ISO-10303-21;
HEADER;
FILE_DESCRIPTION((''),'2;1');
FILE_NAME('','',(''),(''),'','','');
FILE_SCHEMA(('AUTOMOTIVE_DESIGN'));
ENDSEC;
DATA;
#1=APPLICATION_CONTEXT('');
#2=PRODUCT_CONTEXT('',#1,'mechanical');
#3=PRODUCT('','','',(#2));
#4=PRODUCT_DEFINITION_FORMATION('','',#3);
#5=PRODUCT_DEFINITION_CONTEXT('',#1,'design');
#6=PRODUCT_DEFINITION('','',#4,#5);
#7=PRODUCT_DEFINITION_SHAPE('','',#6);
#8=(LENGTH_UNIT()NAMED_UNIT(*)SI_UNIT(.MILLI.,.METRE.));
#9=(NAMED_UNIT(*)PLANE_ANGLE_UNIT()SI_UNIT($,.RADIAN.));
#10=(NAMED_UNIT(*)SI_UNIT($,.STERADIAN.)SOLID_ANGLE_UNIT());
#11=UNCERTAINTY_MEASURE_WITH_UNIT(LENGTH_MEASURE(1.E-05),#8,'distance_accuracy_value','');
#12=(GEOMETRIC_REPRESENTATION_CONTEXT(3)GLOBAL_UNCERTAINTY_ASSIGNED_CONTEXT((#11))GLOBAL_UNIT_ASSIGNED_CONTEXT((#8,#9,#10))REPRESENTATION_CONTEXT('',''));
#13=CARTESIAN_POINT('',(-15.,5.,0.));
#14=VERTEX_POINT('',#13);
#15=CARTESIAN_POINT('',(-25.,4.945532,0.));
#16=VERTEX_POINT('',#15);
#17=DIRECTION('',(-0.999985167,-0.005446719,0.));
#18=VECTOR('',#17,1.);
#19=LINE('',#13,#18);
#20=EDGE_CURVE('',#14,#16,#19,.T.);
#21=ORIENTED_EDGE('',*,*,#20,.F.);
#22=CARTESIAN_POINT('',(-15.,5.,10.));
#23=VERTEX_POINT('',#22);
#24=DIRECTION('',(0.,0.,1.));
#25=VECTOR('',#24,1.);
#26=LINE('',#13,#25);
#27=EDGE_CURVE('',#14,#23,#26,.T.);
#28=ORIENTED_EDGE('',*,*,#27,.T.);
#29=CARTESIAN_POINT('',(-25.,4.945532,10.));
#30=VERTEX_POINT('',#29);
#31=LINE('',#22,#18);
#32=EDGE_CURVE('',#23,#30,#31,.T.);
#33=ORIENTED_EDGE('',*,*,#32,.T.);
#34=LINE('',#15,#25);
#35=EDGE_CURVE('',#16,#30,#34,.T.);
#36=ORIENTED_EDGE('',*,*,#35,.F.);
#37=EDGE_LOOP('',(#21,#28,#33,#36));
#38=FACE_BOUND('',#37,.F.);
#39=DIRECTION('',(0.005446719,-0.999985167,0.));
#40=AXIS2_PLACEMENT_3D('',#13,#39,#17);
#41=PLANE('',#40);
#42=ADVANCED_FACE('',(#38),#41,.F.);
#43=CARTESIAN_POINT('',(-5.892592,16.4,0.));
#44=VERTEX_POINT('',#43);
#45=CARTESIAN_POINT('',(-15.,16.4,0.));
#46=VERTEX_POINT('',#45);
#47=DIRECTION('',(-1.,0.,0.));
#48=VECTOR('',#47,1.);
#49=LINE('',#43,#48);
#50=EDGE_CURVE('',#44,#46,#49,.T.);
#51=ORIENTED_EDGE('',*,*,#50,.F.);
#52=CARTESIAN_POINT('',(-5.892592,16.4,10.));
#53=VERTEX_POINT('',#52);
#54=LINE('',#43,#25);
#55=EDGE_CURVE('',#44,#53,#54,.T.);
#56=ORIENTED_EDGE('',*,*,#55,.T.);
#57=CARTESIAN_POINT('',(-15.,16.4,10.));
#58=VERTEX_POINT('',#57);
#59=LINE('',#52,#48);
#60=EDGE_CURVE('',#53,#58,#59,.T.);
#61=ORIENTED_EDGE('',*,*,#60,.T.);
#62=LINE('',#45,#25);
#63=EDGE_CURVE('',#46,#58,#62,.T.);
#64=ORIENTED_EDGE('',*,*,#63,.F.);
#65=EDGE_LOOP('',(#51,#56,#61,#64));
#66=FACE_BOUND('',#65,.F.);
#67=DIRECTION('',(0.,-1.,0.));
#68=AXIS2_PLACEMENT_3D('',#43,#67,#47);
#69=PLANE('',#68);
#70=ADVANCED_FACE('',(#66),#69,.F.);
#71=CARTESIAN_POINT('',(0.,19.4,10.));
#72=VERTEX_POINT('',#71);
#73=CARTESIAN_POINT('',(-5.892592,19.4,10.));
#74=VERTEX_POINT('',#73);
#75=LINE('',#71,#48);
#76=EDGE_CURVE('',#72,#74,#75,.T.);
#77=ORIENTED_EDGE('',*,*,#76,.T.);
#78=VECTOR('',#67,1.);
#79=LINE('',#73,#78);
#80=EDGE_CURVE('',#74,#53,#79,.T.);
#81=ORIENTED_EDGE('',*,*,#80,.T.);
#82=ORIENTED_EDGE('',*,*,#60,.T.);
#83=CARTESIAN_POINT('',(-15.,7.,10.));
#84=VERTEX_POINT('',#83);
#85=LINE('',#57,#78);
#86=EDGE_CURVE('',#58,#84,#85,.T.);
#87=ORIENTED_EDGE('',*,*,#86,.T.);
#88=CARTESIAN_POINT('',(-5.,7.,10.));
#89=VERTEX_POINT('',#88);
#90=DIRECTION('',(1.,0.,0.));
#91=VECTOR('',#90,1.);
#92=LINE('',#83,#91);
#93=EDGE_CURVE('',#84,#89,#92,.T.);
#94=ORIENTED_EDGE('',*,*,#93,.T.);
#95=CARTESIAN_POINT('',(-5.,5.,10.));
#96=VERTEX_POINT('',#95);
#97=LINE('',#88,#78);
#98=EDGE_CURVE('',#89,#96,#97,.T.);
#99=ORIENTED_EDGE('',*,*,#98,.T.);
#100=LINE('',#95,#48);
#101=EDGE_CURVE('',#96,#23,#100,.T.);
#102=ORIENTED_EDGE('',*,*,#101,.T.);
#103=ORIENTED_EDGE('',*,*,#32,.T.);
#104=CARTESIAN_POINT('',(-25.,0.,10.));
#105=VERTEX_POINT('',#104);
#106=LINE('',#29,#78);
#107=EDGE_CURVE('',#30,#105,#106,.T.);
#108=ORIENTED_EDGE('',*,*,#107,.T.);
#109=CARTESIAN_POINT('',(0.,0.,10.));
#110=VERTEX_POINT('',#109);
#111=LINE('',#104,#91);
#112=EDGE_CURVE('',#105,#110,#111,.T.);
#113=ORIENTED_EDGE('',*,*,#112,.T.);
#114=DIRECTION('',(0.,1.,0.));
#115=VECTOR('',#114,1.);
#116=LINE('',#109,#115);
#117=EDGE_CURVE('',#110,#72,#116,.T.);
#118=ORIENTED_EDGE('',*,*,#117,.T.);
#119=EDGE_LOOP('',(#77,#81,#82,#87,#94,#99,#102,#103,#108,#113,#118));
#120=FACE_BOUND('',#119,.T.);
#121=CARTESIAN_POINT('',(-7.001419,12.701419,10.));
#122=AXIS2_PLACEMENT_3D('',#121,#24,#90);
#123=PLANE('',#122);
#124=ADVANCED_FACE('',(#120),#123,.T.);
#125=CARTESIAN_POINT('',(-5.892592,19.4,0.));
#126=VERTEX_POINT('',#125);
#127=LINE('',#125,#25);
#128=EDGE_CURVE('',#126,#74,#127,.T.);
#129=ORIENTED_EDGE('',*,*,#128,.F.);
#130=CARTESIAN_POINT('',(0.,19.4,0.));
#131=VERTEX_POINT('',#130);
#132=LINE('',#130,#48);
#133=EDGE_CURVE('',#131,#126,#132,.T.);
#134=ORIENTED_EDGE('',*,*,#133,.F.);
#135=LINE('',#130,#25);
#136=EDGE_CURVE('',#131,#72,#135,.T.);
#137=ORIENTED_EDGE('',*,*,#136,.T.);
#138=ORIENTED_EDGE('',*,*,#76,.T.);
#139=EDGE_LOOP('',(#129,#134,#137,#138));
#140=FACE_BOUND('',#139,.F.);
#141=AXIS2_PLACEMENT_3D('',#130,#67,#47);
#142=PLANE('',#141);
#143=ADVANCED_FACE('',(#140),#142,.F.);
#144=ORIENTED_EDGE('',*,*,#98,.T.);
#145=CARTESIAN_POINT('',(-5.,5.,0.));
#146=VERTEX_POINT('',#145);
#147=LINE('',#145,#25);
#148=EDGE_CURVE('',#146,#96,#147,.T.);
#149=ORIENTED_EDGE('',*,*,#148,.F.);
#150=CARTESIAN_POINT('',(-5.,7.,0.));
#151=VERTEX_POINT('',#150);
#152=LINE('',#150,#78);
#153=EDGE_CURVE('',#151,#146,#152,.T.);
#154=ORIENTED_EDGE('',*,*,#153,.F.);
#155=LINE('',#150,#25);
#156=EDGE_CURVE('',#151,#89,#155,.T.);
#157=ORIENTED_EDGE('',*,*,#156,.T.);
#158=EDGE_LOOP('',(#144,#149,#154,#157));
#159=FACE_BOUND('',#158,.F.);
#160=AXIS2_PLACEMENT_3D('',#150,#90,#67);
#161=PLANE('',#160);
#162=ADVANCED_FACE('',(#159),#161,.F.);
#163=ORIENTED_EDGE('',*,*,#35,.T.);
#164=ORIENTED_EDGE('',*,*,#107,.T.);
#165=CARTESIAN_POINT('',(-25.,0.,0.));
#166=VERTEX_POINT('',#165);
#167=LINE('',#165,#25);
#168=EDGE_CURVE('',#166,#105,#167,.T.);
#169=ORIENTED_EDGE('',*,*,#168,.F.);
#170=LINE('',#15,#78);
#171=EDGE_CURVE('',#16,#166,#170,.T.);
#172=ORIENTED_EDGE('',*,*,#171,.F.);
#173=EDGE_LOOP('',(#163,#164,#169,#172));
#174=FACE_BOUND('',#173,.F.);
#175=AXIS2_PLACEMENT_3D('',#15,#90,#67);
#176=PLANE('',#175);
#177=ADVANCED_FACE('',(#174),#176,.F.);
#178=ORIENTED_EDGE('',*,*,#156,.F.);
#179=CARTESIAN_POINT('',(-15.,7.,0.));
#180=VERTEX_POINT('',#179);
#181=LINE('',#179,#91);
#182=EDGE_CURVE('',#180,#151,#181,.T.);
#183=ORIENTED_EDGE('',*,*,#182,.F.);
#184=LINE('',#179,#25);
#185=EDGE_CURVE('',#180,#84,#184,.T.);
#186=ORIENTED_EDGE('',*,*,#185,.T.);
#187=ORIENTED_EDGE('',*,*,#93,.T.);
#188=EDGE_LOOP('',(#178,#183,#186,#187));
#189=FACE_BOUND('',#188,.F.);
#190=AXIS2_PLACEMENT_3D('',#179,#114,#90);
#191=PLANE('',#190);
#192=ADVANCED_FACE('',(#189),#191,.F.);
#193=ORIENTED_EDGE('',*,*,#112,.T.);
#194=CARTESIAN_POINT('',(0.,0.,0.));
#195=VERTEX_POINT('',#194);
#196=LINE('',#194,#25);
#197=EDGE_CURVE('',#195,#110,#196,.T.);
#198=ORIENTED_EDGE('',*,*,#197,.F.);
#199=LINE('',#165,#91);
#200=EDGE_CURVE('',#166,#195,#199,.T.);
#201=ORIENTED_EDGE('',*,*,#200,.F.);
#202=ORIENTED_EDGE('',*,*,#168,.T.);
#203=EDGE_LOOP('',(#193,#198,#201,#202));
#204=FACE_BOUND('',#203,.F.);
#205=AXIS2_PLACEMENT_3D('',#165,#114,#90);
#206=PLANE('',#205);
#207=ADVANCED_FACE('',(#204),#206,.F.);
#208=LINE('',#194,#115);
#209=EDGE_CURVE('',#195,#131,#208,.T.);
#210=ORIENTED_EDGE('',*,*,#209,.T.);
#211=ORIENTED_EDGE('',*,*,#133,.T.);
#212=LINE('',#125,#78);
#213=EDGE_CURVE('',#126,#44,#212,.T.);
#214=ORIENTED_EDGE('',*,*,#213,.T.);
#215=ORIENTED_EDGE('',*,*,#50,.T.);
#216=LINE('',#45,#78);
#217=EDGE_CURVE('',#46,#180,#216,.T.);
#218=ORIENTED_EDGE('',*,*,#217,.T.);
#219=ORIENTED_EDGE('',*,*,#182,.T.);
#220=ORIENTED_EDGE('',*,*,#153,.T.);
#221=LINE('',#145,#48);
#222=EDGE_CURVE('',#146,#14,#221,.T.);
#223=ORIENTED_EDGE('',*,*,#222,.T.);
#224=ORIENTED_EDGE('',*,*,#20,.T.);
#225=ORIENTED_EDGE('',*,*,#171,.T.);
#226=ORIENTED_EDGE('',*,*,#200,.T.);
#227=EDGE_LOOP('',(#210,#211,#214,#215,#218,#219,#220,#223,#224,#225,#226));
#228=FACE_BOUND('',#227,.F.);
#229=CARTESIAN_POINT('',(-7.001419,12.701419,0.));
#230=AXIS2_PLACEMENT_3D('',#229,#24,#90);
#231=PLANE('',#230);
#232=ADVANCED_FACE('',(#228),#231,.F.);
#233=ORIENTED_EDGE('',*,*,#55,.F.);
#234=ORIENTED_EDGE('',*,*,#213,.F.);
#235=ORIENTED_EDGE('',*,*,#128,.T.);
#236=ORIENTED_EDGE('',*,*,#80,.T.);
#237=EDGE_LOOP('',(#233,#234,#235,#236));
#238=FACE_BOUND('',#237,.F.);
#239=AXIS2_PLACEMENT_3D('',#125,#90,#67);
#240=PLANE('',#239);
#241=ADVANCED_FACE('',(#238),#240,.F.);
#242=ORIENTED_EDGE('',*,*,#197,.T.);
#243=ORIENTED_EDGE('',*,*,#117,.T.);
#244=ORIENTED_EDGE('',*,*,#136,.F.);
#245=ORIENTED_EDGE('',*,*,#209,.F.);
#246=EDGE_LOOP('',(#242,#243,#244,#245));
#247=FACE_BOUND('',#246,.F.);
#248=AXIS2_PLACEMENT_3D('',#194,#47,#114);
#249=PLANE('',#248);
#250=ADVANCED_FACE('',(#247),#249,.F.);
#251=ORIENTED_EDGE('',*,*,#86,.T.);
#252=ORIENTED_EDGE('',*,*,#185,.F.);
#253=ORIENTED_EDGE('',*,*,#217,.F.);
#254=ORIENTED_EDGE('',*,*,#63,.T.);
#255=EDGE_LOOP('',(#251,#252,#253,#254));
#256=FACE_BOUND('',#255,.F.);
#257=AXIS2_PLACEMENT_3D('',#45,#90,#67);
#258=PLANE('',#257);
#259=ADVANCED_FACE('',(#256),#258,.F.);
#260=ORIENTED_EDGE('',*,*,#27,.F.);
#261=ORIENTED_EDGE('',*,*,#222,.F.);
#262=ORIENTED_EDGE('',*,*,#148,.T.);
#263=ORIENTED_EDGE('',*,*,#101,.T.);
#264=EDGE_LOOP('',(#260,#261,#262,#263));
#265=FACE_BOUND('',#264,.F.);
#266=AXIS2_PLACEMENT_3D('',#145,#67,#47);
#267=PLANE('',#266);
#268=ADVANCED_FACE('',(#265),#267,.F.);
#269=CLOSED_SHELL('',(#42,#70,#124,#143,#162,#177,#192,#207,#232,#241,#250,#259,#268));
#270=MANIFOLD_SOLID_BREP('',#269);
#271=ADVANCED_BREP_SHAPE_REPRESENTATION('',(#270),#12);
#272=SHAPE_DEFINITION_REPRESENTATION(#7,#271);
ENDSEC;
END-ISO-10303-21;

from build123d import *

# Parameters (mm, degrees)
F1_DEPTH = 10


with BuildPart() as f1:
    # F0 (on Top) → F1 (new body)
    with BuildSketch(Plane.XY):
        Polygon((-5, 7), (0, 7), (0, 19.4), (-5.892592, 19.4), (-5.892592, 16.4), (-13.892592, 16.4), (-15, 16.4), (-15, 7), align=None)
        Polygon((-15, 0), (0, 0), (0, 7), (-5, 7), (-5, 5), (-15, 5), (-25, 4.945532), (-25, 0), align=None)
    extrude(amount=F1_DEPTH)


solid = f1.part
